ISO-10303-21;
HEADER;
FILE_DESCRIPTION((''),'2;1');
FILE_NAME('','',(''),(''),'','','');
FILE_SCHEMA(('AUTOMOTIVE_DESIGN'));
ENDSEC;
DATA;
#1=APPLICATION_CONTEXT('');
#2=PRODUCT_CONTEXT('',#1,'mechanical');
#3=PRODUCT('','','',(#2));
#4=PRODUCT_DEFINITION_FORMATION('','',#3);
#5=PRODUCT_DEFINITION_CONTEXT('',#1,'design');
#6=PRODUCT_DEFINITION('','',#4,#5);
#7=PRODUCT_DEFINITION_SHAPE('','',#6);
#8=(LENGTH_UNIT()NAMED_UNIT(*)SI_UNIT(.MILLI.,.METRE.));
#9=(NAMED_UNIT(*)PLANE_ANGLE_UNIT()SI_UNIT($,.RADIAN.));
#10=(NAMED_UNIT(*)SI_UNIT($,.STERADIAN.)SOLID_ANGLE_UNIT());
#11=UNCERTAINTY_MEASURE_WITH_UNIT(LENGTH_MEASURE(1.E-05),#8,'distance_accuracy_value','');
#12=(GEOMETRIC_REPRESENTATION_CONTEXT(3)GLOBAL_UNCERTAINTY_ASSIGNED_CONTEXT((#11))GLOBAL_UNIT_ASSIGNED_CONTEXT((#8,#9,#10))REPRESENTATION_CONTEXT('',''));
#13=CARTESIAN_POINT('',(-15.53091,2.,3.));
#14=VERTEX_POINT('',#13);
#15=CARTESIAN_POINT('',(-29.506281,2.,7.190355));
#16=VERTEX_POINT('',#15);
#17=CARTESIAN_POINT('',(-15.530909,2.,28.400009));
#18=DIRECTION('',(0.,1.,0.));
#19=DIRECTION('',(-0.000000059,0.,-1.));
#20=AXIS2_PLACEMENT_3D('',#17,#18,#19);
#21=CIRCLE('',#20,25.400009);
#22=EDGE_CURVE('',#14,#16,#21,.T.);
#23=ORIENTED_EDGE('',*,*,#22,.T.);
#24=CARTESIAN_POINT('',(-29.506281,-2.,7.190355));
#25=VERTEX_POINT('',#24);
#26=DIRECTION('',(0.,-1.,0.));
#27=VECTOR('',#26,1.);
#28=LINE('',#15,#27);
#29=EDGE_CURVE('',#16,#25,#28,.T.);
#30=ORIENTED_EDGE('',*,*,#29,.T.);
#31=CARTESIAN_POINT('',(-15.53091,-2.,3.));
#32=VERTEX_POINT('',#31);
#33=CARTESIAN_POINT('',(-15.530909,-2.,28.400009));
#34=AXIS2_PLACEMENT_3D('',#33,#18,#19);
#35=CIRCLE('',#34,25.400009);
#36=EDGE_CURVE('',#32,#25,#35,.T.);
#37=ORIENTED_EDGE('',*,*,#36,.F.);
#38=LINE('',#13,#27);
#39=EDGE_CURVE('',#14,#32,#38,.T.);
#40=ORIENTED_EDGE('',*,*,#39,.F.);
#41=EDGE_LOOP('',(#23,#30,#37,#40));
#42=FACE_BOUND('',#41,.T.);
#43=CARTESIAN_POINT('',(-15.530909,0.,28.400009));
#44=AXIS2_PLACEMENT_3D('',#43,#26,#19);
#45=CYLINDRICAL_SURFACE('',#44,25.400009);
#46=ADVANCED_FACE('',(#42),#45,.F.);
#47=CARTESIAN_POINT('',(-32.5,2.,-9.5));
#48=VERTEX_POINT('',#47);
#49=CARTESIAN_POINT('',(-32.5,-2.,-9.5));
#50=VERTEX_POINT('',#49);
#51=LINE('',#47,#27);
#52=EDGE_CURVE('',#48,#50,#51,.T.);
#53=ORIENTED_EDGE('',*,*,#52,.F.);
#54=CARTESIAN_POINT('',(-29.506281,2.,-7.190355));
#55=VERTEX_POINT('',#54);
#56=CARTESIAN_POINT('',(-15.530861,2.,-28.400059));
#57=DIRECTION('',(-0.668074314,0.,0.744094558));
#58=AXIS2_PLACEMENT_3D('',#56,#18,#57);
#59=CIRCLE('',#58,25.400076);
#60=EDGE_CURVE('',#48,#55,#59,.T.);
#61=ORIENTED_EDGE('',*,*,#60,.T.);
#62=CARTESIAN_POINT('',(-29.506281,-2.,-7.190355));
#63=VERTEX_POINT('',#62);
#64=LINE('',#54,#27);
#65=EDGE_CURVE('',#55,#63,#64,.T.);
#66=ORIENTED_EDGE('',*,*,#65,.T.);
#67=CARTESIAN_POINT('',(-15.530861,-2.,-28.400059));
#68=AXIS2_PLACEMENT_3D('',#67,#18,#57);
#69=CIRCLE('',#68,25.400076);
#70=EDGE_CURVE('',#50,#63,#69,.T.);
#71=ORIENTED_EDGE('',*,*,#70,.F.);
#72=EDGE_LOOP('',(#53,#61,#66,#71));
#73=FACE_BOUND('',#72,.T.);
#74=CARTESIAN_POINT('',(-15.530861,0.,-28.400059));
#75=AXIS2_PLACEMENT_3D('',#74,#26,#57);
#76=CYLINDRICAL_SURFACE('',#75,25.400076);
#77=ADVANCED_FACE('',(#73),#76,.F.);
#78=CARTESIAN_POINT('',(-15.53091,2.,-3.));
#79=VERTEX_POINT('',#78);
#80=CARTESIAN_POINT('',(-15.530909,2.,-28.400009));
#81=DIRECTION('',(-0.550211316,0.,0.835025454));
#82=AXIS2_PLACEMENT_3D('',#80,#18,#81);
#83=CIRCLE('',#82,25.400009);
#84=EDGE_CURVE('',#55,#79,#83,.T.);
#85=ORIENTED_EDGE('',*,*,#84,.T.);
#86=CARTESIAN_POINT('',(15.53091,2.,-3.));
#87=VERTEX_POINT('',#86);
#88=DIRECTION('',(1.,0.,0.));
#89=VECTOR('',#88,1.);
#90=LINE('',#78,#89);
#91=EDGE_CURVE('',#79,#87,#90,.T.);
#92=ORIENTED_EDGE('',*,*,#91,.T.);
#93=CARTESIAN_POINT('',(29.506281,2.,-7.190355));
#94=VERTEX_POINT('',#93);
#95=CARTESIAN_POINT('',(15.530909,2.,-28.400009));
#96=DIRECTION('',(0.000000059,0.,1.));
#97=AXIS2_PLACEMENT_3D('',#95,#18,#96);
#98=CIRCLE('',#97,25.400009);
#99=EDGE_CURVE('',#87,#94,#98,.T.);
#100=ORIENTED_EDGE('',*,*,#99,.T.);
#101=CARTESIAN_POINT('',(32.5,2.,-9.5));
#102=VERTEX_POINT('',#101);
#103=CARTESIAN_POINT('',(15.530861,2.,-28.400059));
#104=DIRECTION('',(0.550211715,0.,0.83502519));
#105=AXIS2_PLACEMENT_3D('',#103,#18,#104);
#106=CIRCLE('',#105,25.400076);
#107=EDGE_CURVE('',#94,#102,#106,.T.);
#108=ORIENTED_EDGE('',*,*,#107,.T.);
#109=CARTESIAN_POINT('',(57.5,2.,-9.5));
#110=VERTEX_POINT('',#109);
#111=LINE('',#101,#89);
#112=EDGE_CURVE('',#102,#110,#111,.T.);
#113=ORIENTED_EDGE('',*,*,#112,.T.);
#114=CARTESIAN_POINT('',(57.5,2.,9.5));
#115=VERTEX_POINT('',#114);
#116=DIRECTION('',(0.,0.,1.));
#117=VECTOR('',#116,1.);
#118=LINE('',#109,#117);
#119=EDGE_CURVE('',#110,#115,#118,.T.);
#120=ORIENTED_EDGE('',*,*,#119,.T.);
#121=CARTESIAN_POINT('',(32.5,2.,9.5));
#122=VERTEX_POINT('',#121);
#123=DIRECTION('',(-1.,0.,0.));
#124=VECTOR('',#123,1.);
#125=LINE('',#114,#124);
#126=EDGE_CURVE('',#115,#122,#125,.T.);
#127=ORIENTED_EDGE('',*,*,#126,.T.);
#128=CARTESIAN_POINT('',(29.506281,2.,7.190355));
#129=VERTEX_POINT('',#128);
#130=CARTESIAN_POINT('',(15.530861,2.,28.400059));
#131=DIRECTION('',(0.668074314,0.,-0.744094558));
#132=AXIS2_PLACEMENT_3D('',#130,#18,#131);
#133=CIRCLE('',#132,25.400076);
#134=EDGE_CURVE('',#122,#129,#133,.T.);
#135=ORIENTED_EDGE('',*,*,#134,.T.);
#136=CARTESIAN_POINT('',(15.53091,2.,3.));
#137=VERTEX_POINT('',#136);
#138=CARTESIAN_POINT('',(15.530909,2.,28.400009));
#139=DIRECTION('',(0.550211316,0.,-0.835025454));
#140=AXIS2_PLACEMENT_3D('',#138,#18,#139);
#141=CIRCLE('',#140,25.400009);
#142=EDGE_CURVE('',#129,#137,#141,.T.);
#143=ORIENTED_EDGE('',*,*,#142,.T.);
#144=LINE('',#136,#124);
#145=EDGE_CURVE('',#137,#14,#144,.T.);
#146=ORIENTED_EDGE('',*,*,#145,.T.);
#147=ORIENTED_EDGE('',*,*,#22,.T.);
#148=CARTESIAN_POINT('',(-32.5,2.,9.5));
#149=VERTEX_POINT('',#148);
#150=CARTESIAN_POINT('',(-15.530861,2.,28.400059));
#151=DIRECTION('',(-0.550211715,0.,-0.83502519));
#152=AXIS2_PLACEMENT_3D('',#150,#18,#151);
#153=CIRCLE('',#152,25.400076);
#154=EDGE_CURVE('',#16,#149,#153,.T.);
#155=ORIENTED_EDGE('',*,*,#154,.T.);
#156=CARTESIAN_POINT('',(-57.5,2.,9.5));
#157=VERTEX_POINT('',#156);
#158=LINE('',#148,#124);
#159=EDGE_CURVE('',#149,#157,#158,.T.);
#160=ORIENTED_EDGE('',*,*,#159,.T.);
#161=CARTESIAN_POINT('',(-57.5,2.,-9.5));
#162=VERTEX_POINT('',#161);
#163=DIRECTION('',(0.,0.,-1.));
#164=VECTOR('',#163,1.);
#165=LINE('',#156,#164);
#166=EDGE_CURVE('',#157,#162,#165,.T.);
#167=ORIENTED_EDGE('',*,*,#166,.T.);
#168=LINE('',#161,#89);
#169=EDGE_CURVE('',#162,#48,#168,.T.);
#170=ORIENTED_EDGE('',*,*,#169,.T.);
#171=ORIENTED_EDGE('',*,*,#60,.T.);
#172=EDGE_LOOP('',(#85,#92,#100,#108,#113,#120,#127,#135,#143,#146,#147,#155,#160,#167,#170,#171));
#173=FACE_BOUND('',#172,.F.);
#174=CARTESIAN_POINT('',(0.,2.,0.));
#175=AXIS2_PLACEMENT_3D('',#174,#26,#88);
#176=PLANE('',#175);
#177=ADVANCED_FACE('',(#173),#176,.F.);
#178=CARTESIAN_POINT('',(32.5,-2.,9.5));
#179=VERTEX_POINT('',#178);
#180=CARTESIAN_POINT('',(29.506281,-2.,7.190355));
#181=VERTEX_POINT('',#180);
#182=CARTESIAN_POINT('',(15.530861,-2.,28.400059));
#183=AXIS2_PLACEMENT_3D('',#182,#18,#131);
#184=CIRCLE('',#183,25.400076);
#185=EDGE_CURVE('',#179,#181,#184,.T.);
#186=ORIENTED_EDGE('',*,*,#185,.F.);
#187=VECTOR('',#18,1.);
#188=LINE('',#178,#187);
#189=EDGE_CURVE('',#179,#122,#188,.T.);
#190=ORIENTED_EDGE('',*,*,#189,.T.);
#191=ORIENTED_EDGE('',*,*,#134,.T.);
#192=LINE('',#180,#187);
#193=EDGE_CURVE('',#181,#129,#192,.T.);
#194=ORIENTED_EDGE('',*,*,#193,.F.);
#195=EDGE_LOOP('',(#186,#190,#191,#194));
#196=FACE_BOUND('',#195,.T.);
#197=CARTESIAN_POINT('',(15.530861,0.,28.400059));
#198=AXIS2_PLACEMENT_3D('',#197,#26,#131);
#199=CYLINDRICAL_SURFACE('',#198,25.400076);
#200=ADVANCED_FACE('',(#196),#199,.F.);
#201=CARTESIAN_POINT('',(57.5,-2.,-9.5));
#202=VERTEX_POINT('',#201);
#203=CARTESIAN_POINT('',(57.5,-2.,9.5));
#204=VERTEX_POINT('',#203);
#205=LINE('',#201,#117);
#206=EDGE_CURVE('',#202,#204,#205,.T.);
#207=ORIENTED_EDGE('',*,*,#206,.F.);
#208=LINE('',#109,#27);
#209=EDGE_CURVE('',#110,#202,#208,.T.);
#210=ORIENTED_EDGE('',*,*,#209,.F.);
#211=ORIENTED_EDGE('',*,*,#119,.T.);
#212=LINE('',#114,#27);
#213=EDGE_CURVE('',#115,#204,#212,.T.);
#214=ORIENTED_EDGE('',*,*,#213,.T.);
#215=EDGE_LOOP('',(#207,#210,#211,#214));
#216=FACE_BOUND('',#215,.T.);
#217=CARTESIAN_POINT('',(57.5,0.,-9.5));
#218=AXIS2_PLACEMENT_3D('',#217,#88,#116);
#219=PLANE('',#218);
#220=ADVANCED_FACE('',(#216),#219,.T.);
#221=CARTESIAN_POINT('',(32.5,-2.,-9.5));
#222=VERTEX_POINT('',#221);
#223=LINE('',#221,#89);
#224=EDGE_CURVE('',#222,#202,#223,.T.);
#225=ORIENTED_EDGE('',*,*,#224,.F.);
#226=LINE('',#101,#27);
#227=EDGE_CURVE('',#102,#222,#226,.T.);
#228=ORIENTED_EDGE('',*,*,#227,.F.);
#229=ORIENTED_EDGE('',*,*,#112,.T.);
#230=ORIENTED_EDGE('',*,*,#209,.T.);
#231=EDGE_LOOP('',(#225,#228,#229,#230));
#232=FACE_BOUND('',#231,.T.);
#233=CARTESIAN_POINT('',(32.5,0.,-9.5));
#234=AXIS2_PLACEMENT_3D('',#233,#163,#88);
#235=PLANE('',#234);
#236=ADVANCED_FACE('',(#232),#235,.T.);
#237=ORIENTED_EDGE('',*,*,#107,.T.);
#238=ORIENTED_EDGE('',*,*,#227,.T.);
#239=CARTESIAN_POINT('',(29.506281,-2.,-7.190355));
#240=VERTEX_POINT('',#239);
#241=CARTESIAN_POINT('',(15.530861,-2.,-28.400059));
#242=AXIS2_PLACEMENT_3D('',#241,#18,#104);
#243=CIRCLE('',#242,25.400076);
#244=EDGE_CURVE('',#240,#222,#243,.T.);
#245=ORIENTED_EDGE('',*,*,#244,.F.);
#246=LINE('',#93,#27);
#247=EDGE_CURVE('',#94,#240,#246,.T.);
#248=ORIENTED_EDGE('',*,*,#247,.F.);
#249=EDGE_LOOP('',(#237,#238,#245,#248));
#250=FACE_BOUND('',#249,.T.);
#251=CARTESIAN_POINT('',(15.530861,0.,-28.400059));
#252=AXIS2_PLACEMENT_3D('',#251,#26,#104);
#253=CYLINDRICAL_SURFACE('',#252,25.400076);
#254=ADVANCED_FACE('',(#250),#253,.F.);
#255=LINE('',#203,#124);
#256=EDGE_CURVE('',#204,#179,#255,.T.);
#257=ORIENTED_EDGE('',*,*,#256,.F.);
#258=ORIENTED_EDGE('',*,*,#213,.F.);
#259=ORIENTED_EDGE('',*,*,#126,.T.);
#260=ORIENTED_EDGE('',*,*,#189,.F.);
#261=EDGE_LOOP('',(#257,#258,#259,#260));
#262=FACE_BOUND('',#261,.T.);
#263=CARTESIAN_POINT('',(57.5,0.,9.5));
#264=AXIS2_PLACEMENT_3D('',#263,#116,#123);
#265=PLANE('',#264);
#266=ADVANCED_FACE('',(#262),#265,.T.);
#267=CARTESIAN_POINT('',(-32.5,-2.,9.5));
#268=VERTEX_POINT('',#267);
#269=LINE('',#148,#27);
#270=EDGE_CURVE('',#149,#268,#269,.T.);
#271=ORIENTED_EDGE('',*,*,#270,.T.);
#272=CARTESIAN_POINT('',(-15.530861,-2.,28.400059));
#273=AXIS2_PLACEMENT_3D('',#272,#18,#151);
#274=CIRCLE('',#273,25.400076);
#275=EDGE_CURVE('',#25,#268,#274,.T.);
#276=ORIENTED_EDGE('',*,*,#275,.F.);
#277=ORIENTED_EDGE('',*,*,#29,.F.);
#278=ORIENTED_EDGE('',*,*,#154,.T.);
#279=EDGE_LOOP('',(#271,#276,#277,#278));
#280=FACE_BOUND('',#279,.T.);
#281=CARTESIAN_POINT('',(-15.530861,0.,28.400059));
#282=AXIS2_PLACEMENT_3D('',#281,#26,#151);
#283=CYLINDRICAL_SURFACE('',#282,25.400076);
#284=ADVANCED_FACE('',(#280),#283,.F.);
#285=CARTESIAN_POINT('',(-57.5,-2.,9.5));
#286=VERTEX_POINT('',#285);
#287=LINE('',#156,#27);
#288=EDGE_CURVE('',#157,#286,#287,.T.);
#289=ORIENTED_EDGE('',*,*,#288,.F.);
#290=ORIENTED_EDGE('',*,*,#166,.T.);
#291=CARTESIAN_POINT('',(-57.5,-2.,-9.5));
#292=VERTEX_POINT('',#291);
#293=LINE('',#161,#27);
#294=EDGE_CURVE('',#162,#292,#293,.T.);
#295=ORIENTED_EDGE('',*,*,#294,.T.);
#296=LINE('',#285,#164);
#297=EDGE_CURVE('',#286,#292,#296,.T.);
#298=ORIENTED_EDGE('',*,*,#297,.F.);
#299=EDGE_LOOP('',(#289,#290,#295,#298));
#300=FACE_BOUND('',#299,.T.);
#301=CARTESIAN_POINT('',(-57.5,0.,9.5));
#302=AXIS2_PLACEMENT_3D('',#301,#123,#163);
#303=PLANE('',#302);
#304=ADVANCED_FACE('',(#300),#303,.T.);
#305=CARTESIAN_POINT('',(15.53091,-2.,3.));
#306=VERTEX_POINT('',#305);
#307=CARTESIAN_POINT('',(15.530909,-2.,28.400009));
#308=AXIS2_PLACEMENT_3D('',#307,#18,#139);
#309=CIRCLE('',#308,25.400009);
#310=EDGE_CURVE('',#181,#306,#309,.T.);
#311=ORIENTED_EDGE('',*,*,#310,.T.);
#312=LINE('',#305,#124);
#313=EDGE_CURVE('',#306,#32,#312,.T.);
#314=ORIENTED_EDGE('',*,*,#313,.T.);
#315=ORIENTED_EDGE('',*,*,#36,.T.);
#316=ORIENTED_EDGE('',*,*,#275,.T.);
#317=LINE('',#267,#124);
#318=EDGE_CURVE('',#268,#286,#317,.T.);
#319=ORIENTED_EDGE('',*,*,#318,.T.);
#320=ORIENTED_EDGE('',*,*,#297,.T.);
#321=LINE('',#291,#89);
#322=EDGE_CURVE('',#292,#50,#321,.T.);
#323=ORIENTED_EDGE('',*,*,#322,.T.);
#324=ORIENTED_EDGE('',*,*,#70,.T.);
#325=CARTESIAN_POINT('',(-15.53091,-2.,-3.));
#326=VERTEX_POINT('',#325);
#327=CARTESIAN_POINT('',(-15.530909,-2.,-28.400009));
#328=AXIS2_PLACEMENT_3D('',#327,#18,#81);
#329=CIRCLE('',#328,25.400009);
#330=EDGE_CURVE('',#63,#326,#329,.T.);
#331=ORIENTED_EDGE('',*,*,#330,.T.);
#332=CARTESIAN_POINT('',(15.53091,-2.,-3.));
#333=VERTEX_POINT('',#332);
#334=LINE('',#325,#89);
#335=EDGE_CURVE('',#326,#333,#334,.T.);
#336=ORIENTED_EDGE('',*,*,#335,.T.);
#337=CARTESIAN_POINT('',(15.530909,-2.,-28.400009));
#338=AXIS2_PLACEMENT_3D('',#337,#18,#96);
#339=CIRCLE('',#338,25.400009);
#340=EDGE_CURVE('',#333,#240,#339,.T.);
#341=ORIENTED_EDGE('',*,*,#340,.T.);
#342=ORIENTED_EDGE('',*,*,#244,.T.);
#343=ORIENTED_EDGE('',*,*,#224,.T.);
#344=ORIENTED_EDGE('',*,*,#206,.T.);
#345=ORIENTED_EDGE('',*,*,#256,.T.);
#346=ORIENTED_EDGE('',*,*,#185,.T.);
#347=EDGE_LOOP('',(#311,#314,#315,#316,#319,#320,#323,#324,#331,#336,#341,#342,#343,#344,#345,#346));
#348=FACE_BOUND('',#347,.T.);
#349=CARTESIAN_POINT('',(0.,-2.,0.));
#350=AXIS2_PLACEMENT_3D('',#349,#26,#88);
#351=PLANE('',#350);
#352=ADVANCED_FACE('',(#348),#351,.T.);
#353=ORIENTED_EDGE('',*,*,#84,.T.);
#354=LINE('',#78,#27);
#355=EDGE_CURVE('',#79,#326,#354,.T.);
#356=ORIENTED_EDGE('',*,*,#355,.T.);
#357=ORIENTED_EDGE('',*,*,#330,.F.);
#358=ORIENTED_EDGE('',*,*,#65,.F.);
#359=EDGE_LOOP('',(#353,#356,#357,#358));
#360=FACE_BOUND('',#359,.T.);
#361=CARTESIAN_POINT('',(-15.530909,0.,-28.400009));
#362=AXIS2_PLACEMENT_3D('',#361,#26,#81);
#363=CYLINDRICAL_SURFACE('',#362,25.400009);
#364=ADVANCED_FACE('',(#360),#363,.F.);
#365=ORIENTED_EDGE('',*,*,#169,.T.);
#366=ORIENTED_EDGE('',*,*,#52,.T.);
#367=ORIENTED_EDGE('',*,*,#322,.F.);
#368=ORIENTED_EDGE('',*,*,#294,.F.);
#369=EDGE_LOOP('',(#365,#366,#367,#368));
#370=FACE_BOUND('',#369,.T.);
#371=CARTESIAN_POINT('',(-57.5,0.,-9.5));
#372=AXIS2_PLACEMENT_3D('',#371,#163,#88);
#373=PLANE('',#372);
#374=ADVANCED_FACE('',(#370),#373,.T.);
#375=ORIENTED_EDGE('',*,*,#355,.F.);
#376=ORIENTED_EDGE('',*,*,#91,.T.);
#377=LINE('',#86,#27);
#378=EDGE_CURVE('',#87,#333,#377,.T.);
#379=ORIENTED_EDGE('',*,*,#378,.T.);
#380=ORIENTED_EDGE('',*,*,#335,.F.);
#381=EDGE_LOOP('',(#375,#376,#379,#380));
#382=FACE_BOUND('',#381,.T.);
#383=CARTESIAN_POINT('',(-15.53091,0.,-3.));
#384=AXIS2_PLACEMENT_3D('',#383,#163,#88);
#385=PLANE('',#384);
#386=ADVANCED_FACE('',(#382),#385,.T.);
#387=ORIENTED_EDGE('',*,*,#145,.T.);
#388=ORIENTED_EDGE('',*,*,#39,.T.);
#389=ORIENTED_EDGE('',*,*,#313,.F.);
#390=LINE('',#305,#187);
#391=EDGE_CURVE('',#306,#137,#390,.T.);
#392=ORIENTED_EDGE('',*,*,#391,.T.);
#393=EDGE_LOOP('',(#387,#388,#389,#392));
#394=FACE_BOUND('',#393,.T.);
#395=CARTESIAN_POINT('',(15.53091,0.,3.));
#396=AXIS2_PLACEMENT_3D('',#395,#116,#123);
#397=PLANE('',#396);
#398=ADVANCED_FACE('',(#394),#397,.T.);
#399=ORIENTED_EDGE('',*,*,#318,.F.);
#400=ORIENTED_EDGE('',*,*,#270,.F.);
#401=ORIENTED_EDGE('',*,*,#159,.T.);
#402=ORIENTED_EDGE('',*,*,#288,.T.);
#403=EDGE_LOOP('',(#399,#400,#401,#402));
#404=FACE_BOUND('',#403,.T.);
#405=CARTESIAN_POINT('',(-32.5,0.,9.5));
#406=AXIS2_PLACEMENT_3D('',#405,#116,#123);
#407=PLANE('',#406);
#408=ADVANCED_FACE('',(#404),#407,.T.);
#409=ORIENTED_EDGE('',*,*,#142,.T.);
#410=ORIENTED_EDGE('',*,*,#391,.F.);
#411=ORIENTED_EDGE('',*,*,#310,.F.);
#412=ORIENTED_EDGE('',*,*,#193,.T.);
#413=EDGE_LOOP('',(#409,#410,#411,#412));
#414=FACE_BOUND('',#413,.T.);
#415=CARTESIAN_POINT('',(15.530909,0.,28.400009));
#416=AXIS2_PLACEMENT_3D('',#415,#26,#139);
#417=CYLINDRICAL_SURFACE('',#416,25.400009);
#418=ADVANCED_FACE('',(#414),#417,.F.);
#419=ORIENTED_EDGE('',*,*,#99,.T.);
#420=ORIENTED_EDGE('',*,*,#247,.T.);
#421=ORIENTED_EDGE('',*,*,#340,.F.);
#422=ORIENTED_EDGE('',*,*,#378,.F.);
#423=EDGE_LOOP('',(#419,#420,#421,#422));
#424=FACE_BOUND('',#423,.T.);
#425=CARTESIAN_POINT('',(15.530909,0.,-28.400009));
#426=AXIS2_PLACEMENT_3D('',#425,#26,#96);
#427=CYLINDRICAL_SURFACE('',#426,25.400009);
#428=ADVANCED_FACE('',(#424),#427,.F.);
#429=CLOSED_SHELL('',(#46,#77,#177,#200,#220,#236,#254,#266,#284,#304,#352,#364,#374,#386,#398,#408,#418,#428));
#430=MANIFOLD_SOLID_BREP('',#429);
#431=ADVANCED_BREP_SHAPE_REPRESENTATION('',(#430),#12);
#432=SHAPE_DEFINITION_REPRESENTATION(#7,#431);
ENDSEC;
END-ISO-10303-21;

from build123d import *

# Parameters (mm, degrees)
F1_DEPTH = 2


with BuildPart() as f1:
    # F0 (on Front) → F1 (new body, symmetric)
    with BuildSketch(Plane.XZ):
        with BuildLine():
            Line((15.53091, 3), (0, 3))
            Line((0, 3), (-15.53091, 3))
            ThreePointArc((-15.53091, 3), (-22.825944, 4.070132), (-29.506281, 7.190355))
            ThreePointArc((-29.506281, 7.190355), (-33.188356, 8.910164), (-37.209241, 9.5))
            Line((-37.209241, 9.5), (-57.5, 9.5))
            Line((-57.5, 9.5), (-57.5, 0))
            Line((-57.5, 0), (-57.5, -9.5))
            Line((-57.5, -9.5), (-37.209241, -9.5))
            ThreePointArc((-37.209241, -9.5), (-33.188356, -8.910164), (-29.506281, -7.190355))
            ThreePointArc((-29.506281, -7.190355), (-22.825944, -4.070132), (-15.53091, -3))
            Line((-15.53091, -3), (0, -3))
            Line((0, -3), (15.53091, -3))
            ThreePointArc((15.53091, -3), (22.825944, -4.070132), (29.506281, -7.190355))
            ThreePointArc((29.506281, -7.190355), (33.188356, -8.910164), (37.209241, -9.5))
            Line((37.209241, -9.5), (57.5, -9.5))
            Line((57.5, -9.5), (57.5, 0))
            Line((57.5, 0), (57.5, 9.5))
            Line((57.5, 9.5), (37.209241, 9.5))
            ThreePointArc((37.209241, 9.5), (33.188356, 8.910164), (29.506281, 7.190355))
            ThreePointArc((29.506281, 7.190355), (22.825944, 4.070132), (15.53091, 3))
        make_face()
        with BuildLine():
            ThreePointArc((32.5, 9.5), (31.046178, 8.289394), (29.506281, 7.190355))
            ThreePointArc((29.506281, 7.190355), (33.188356, 8.910164), (37.209241, 9.5))
            Line((37.209241, 9.5), (32.5, 9.5))
        make_face()
        with BuildLine():
            ThreePointArc((-37.209241, 9.5), (-33.188356, 8.910164), (-29.506281, 7.190355))
            ThreePointArc((-29.506281, 7.190355), (-31.046178, 8.289394), (-32.5, 9.5))
            Line((-32.5, 9.5), (-37.209241, 9.5))
        make_face()
        with BuildLine():
            Line((32.5, -9.5), (37.209241, -9.5))
            ThreePointArc((37.209241, -9.5), (33.188356, -8.910164), (29.506281, -7.190355))
            ThreePointArc((29.506281, -7.190355), (31.046178, -8.289394), (32.5, -9.5))
        make_face()
        with BuildLine():
            ThreePointArc((-29.506281, -7.190355), (-33.188356, -8.910164), (-37.209241, -9.5))
            Line((-37.209241, -9.5), (-32.5, -9.5))
            ThreePointArc((-32.5, -9.5), (-31.046178, -8.289394), (-29.506281, -7.190355))
        make_face()
    extrude(amount=F1_DEPTH, both=True)


solid = f1.part
